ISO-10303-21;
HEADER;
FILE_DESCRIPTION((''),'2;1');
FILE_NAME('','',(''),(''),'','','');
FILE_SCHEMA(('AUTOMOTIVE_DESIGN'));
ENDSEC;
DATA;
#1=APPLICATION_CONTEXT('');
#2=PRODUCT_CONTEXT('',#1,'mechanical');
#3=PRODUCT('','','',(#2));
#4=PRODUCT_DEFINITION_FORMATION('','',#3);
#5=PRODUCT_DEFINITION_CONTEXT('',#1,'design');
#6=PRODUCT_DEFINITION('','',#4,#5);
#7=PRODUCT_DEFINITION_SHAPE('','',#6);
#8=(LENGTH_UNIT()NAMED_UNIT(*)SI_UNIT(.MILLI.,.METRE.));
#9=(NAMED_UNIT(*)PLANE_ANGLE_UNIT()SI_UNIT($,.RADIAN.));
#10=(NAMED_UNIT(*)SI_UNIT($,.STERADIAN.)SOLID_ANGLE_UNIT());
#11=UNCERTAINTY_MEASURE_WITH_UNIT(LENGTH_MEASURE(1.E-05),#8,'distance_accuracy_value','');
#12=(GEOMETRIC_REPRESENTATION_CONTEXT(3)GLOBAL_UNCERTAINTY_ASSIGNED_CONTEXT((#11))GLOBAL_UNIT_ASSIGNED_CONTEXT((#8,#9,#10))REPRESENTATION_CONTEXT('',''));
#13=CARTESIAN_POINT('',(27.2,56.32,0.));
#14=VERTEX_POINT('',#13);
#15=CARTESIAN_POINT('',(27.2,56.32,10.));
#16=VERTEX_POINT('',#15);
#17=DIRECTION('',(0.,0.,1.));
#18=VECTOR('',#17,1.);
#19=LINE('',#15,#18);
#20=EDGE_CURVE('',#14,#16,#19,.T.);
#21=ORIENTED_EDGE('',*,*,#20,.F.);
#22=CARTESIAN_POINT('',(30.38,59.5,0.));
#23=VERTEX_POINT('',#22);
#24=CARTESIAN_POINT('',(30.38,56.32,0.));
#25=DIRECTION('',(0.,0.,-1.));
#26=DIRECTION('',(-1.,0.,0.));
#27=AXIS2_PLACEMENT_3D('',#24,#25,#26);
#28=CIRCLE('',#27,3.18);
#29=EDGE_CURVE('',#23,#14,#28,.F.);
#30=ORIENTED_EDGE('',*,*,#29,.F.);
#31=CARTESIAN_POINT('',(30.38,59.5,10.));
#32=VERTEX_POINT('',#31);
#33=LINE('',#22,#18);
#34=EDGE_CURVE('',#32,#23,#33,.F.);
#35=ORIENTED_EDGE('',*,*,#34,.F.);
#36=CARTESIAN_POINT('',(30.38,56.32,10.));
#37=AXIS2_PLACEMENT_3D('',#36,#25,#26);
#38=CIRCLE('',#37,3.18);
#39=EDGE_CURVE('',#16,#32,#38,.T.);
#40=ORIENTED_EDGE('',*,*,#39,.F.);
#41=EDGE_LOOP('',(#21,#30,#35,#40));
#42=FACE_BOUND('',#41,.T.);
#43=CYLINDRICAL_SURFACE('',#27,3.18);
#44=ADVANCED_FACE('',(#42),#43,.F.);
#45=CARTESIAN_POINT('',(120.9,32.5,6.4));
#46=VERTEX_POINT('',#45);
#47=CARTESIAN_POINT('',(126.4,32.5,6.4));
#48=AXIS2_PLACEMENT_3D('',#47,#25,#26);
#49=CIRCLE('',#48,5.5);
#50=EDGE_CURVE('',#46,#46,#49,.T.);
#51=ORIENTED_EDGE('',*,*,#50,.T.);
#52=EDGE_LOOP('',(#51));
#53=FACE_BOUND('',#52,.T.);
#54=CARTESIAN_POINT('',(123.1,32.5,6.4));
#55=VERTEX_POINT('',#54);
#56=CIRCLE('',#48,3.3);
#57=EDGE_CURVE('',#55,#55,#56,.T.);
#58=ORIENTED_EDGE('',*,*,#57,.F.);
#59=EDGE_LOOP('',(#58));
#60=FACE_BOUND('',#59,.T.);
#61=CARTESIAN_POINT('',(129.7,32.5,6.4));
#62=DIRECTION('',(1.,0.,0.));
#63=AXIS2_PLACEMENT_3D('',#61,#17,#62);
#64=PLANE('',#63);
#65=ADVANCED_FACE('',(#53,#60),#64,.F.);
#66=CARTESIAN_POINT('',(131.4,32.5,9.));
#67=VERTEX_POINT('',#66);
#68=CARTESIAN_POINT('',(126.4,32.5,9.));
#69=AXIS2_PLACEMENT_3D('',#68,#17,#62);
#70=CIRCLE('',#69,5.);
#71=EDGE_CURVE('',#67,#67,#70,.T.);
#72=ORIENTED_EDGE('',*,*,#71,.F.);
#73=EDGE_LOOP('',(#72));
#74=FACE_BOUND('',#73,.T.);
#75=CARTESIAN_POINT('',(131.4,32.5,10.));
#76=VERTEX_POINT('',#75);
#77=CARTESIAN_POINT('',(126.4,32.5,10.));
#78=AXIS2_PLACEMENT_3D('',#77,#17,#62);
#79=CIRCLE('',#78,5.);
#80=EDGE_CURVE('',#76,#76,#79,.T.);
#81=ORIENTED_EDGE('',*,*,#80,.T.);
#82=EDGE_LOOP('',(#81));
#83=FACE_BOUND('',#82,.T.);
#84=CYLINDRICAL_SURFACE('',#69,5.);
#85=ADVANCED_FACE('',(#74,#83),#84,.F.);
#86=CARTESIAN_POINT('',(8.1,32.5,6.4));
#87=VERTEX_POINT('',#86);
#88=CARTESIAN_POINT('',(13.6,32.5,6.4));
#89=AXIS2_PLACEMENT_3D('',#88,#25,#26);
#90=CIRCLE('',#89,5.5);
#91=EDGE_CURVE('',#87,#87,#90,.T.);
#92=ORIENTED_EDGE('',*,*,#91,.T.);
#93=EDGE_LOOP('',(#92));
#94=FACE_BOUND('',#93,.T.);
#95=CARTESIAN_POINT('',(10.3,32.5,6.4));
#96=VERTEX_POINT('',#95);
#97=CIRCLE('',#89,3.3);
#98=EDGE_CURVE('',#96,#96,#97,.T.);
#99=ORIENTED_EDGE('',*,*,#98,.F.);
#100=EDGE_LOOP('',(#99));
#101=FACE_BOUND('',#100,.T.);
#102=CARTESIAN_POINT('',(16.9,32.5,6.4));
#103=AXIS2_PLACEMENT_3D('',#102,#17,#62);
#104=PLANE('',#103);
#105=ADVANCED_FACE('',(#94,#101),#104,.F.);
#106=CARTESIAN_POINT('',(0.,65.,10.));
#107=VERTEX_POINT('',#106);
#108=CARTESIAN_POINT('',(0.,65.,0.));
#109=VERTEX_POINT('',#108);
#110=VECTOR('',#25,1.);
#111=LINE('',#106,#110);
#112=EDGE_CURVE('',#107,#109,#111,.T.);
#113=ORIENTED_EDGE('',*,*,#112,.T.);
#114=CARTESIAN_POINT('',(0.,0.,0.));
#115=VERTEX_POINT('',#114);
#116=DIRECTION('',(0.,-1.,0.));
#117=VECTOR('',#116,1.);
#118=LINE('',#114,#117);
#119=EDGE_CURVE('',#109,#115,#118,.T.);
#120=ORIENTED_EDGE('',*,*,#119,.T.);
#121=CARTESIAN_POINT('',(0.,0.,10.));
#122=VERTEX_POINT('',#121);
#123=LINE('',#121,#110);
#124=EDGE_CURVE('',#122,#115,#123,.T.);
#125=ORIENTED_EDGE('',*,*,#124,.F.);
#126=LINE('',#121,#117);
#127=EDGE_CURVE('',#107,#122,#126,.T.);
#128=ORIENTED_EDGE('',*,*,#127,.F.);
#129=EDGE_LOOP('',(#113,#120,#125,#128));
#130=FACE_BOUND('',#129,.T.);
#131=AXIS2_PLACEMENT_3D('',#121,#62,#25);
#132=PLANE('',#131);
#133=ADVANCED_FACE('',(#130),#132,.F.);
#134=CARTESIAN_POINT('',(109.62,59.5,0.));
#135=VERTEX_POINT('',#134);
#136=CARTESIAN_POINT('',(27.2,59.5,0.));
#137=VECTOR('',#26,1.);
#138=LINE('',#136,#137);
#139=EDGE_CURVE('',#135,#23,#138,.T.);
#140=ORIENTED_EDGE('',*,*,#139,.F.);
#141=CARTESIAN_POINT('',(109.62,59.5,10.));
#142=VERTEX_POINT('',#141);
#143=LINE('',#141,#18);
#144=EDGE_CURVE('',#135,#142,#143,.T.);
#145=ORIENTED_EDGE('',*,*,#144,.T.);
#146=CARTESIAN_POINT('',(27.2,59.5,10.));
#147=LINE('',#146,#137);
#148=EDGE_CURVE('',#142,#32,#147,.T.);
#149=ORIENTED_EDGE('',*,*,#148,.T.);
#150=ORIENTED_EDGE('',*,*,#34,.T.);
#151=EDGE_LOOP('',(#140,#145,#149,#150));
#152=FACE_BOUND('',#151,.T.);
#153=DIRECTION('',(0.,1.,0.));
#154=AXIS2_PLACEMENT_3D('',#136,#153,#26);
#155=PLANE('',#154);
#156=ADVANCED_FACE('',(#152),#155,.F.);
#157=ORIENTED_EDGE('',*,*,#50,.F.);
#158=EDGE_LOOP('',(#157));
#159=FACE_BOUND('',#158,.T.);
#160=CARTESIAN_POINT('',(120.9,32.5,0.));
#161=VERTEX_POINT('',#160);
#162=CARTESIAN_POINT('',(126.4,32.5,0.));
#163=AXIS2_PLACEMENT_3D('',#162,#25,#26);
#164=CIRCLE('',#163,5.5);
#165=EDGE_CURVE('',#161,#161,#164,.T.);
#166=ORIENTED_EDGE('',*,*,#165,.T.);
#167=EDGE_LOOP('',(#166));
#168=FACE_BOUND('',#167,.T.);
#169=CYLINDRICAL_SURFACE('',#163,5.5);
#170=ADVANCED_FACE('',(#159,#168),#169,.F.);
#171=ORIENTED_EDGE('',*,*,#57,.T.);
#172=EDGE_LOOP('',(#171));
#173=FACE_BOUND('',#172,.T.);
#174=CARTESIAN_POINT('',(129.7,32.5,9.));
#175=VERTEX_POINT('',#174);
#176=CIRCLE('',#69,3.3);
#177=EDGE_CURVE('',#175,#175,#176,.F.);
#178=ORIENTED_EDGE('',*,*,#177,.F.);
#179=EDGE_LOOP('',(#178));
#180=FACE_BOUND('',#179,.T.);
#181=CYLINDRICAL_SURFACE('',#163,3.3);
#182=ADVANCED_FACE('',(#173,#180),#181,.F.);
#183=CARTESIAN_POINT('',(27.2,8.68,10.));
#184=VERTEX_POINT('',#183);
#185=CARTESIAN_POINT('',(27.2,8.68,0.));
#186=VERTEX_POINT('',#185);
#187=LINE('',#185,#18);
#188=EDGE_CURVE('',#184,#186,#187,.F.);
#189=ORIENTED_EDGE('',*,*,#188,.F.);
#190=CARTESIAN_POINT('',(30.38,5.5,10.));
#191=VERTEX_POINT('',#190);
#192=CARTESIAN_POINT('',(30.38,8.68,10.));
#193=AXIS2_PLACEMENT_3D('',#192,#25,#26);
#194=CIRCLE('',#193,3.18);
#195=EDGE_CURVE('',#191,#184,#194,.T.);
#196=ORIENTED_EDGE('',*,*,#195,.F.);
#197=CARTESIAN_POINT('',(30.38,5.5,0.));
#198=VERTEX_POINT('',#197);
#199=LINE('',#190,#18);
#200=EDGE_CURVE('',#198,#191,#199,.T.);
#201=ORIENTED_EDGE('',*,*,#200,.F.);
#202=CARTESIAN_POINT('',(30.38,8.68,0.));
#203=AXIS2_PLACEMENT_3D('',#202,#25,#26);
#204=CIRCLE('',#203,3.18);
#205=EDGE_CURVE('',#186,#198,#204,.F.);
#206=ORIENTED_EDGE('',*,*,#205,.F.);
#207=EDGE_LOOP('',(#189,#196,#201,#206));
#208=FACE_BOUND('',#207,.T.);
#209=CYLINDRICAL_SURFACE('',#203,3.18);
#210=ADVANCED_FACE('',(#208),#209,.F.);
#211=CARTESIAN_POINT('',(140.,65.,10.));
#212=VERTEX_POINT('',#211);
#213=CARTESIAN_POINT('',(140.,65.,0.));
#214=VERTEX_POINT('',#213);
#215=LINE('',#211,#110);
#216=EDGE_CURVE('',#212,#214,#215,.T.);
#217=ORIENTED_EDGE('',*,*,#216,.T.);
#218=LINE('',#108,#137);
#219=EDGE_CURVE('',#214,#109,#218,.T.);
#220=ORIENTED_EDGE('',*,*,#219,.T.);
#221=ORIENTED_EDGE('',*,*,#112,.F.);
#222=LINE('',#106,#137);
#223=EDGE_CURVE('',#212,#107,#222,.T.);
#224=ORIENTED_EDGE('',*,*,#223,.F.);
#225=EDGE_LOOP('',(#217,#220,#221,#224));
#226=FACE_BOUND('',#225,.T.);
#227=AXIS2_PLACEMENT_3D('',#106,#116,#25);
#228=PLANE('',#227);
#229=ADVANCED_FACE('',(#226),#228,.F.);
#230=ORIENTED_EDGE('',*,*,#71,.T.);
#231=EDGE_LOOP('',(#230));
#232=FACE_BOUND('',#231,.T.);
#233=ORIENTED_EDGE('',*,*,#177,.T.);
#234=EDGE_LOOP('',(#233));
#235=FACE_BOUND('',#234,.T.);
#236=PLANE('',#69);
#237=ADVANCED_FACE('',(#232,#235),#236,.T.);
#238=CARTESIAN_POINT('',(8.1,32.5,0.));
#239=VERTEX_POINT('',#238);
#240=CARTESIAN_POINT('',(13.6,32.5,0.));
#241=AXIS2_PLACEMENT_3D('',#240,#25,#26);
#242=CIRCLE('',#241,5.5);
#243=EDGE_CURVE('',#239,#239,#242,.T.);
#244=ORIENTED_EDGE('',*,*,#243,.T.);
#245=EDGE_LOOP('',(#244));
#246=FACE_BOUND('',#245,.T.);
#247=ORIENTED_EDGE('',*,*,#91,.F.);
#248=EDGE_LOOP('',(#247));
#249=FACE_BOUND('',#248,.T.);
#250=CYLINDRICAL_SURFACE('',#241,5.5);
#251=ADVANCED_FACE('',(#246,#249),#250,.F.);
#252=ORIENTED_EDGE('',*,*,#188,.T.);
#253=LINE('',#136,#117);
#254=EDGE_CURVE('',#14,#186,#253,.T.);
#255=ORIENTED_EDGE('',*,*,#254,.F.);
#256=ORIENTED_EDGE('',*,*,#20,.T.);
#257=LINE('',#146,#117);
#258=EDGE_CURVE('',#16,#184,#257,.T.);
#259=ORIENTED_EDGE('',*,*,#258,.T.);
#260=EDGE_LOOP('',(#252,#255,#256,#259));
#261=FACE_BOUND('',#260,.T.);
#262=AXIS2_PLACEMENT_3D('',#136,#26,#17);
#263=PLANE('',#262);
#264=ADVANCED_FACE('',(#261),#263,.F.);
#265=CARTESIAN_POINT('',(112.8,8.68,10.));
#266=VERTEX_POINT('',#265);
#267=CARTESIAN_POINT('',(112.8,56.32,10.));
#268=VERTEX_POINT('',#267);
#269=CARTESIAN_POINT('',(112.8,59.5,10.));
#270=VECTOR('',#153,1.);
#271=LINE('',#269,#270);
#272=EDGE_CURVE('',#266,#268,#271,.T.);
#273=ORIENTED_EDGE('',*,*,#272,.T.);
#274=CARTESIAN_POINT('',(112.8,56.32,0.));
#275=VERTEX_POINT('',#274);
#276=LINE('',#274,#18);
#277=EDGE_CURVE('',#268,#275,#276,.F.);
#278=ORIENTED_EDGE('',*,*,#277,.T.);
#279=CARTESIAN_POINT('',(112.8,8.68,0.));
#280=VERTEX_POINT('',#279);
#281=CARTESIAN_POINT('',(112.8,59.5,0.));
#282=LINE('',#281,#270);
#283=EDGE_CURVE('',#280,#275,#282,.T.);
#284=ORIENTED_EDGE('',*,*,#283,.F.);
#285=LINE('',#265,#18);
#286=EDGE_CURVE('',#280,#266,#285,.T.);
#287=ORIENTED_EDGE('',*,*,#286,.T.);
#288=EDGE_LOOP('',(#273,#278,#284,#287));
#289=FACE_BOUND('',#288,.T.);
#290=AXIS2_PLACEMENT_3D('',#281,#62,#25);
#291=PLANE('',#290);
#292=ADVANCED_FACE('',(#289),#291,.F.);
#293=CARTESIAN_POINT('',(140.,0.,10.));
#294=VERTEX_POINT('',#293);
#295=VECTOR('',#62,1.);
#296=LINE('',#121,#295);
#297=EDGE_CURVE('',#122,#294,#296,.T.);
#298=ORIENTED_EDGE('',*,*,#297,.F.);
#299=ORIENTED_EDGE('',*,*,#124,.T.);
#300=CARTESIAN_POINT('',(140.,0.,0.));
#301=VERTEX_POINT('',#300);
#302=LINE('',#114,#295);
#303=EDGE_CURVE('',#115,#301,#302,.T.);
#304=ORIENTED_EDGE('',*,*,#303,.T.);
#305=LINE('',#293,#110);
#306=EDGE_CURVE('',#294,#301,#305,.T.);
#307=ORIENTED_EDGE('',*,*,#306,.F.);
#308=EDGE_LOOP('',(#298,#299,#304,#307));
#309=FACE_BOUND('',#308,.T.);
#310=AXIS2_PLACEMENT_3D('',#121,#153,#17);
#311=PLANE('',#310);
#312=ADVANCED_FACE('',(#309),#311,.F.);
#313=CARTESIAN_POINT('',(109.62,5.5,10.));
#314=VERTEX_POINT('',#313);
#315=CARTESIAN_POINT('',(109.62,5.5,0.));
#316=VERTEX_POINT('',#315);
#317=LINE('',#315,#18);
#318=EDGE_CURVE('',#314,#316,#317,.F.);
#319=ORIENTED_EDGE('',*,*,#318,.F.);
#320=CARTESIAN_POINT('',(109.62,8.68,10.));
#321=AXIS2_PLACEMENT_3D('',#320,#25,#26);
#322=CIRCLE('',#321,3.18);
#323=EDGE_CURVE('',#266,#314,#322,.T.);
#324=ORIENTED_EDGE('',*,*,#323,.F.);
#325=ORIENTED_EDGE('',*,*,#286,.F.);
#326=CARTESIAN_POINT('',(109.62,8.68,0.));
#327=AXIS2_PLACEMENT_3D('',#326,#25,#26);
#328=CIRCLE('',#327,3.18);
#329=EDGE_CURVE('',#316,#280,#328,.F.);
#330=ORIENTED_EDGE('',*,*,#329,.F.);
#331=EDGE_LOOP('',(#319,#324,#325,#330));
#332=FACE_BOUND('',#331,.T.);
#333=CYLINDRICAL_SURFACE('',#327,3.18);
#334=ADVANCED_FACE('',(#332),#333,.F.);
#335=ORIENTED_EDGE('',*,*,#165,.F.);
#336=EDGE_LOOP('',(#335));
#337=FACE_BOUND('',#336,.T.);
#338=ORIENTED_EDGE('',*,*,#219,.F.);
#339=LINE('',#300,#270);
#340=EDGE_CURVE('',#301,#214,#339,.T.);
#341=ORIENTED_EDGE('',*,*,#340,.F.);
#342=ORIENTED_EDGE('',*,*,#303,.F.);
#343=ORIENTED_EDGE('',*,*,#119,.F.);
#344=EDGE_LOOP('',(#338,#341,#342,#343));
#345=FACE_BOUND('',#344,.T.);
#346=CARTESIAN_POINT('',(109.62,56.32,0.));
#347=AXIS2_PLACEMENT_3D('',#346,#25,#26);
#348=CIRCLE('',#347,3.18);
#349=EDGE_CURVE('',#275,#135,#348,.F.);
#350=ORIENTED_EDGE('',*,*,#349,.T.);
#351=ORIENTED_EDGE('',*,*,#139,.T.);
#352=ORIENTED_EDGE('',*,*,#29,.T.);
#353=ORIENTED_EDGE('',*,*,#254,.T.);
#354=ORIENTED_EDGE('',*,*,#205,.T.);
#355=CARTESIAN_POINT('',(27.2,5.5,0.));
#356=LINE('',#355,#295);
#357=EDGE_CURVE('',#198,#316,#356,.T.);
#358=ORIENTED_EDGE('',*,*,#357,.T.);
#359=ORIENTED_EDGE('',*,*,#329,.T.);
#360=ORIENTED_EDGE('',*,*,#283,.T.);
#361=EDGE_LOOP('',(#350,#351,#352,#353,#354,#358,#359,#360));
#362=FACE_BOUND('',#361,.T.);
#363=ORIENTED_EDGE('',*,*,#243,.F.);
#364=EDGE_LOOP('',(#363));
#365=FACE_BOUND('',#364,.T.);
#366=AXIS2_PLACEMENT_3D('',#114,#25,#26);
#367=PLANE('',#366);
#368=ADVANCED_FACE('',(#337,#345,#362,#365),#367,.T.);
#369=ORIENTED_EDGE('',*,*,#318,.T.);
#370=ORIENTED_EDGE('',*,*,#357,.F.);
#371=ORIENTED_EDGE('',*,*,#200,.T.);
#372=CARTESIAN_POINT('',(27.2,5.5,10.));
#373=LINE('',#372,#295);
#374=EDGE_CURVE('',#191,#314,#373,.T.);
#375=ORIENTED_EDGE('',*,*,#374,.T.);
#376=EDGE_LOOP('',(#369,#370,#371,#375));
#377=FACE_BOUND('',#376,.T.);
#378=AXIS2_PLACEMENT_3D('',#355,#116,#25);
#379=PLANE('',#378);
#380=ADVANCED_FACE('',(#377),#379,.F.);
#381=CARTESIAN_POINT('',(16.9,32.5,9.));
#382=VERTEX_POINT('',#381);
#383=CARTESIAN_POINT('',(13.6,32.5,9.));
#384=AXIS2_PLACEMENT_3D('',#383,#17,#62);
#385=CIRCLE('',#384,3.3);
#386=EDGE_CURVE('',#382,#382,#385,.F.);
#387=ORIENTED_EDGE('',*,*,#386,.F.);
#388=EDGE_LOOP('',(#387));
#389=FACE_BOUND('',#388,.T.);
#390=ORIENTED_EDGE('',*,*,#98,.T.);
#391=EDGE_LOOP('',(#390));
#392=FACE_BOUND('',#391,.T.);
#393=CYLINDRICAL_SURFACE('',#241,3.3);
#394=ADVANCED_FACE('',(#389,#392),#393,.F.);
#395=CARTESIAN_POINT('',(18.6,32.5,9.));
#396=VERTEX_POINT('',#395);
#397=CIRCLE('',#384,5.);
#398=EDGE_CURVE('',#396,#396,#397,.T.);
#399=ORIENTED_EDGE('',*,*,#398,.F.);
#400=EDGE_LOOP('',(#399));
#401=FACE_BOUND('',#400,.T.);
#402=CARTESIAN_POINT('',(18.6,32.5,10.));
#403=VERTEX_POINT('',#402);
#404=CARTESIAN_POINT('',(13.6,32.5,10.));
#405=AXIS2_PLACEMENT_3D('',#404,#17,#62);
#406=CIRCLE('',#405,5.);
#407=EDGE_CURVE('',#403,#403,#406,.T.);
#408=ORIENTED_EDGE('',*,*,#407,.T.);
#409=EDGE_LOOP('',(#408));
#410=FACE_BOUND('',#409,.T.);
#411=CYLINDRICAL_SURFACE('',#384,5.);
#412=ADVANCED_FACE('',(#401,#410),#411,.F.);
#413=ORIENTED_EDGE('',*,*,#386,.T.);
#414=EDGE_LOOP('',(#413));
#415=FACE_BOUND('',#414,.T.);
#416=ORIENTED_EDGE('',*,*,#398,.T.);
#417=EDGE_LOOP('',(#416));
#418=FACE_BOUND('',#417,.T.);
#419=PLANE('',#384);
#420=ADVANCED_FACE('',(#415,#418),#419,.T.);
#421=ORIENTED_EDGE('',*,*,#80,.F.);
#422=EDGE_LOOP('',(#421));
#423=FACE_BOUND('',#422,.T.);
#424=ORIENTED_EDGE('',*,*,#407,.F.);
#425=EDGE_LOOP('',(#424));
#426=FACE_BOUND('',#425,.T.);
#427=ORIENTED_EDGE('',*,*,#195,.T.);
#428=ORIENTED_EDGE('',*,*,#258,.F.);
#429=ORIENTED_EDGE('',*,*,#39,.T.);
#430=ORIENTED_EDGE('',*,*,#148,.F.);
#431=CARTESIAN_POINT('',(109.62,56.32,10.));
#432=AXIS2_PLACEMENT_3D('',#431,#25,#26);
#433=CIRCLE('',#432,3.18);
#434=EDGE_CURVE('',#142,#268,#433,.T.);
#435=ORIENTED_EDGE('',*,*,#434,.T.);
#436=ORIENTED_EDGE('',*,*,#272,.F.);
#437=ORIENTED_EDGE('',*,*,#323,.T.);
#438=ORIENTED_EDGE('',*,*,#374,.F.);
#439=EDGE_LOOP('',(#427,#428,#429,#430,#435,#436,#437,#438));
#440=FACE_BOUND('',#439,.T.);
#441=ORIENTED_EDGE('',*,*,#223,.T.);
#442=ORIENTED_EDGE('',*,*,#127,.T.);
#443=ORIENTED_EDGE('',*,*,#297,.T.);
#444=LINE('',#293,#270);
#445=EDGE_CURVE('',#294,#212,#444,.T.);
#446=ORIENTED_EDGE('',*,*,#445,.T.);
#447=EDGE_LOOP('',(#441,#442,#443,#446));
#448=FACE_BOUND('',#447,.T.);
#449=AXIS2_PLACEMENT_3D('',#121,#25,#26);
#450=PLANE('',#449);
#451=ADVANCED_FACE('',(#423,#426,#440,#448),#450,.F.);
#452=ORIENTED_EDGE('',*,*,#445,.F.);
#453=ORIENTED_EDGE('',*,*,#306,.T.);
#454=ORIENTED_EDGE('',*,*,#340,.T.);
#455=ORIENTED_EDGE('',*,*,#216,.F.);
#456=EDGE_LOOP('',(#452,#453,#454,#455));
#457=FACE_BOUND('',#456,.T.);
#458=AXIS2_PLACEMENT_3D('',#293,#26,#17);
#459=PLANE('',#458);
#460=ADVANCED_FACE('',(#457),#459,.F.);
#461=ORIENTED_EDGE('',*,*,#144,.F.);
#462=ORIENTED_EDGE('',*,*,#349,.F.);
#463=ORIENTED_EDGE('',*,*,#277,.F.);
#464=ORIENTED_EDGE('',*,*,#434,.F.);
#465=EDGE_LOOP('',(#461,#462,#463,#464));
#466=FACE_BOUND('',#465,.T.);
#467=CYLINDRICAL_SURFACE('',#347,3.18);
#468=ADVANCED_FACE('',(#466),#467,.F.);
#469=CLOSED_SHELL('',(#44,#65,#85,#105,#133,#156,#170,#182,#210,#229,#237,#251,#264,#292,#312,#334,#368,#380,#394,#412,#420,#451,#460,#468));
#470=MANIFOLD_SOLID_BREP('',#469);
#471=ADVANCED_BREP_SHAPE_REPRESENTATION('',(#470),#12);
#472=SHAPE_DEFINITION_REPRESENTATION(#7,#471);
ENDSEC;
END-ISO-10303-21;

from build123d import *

# Parameters (mm, degrees)
SKETCH_1_W                   = 140
SKETCH_1_H                   = 65
EXTRUDE_1_DEPTH              = 10
SKETCH_2_W                   = 85.6
SKETCH_2_H                   = 54
CUT_EXTRUDE_1_DEPTH          = 11
FILLET_1_R                   = 3.18
HOLE_WIZARD_M6_1_D           = 6.6
HOLE_WIZARD_M6_1_DEPTH       = 15
HOLE_WIZARD_M6_1_CBORE_D     = 11
HOLE_WIZARD_M6_1_CBORE_DEPTH = 6.4
HOLE_WIZARD_M6_1_TIP         = 1.982840043
SKETCH_6_R                   = 5
CUT_EXTRUDE_3_DEPTH          = 1


with BuildPart() as part:
    # 草图1 → 凸台-拉伸1 (new body)
    with BuildSketch(Plane.XY):
        with Locations((70, 32.5)):
            Rectangle(SKETCH_1_W, SKETCH_1_H)
    extrude(amount=EXTRUDE_1_DEPTH)

    # 草图2 → 切除-拉伸1 (cut, through all)
    with BuildSketch(Plane.XY.offset(10)):
        with Locations((70, 32.5)):
            Rectangle(SKETCH_2_W, SKETCH_2_H)
    extrude(amount=-CUT_EXTRUDE_1_DEPTH, mode=Mode.SUBTRACT)

    # 圆角1
    fillet_1_edges = [part.edges().sort_by_distance(p)[0] for p in [
        (27.2, 5.5, 5),
        (27.2, 59.5, 5),
        (112.8, 59.5, 5),
        (112.8, 5.5, 5),
    ]]
    fillet(fillet_1_edges, radius=FILLET_1_R)

    # M6 六角凹头螺钉的柱形沉头孔1
    with Locations(Plane(origin=(0, 0, 0), x_dir=(-1, 0, 0), z_dir=(0, 0, -1))):
        with Locations((-126.4, 32.5), (-13.6, 32.5)):
            CounterBoreHole(HOLE_WIZARD_M6_1_D / 2, HOLE_WIZARD_M6_1_CBORE_D / 2, HOLE_WIZARD_M6_1_CBORE_DEPTH, depth=HOLE_WIZARD_M6_1_DEPTH)
            with Locations((0, 0, -(HOLE_WIZARD_M6_1_DEPTH + HOLE_WIZARD_M6_1_TIP / 2))):  # 118° drill point
                Cone(0, HOLE_WIZARD_M6_1_D / 2, HOLE_WIZARD_M6_1_TIP, mode=Mode.SUBTRACT)

    # 草图6 → 切除-拉伸3 (cut)
    with BuildSketch(Plane.XY.offset(10)):
        with Locations((13.6, 32.5)):
            Circle(SKETCH_6_R)
        with Locations((126.4, 32.5)):
            Circle(SKETCH_6_R)
    extrude(amount=-CUT_EXTRUDE_3_DEPTH, mode=Mode.SUBTRACT)


solid = part.part
